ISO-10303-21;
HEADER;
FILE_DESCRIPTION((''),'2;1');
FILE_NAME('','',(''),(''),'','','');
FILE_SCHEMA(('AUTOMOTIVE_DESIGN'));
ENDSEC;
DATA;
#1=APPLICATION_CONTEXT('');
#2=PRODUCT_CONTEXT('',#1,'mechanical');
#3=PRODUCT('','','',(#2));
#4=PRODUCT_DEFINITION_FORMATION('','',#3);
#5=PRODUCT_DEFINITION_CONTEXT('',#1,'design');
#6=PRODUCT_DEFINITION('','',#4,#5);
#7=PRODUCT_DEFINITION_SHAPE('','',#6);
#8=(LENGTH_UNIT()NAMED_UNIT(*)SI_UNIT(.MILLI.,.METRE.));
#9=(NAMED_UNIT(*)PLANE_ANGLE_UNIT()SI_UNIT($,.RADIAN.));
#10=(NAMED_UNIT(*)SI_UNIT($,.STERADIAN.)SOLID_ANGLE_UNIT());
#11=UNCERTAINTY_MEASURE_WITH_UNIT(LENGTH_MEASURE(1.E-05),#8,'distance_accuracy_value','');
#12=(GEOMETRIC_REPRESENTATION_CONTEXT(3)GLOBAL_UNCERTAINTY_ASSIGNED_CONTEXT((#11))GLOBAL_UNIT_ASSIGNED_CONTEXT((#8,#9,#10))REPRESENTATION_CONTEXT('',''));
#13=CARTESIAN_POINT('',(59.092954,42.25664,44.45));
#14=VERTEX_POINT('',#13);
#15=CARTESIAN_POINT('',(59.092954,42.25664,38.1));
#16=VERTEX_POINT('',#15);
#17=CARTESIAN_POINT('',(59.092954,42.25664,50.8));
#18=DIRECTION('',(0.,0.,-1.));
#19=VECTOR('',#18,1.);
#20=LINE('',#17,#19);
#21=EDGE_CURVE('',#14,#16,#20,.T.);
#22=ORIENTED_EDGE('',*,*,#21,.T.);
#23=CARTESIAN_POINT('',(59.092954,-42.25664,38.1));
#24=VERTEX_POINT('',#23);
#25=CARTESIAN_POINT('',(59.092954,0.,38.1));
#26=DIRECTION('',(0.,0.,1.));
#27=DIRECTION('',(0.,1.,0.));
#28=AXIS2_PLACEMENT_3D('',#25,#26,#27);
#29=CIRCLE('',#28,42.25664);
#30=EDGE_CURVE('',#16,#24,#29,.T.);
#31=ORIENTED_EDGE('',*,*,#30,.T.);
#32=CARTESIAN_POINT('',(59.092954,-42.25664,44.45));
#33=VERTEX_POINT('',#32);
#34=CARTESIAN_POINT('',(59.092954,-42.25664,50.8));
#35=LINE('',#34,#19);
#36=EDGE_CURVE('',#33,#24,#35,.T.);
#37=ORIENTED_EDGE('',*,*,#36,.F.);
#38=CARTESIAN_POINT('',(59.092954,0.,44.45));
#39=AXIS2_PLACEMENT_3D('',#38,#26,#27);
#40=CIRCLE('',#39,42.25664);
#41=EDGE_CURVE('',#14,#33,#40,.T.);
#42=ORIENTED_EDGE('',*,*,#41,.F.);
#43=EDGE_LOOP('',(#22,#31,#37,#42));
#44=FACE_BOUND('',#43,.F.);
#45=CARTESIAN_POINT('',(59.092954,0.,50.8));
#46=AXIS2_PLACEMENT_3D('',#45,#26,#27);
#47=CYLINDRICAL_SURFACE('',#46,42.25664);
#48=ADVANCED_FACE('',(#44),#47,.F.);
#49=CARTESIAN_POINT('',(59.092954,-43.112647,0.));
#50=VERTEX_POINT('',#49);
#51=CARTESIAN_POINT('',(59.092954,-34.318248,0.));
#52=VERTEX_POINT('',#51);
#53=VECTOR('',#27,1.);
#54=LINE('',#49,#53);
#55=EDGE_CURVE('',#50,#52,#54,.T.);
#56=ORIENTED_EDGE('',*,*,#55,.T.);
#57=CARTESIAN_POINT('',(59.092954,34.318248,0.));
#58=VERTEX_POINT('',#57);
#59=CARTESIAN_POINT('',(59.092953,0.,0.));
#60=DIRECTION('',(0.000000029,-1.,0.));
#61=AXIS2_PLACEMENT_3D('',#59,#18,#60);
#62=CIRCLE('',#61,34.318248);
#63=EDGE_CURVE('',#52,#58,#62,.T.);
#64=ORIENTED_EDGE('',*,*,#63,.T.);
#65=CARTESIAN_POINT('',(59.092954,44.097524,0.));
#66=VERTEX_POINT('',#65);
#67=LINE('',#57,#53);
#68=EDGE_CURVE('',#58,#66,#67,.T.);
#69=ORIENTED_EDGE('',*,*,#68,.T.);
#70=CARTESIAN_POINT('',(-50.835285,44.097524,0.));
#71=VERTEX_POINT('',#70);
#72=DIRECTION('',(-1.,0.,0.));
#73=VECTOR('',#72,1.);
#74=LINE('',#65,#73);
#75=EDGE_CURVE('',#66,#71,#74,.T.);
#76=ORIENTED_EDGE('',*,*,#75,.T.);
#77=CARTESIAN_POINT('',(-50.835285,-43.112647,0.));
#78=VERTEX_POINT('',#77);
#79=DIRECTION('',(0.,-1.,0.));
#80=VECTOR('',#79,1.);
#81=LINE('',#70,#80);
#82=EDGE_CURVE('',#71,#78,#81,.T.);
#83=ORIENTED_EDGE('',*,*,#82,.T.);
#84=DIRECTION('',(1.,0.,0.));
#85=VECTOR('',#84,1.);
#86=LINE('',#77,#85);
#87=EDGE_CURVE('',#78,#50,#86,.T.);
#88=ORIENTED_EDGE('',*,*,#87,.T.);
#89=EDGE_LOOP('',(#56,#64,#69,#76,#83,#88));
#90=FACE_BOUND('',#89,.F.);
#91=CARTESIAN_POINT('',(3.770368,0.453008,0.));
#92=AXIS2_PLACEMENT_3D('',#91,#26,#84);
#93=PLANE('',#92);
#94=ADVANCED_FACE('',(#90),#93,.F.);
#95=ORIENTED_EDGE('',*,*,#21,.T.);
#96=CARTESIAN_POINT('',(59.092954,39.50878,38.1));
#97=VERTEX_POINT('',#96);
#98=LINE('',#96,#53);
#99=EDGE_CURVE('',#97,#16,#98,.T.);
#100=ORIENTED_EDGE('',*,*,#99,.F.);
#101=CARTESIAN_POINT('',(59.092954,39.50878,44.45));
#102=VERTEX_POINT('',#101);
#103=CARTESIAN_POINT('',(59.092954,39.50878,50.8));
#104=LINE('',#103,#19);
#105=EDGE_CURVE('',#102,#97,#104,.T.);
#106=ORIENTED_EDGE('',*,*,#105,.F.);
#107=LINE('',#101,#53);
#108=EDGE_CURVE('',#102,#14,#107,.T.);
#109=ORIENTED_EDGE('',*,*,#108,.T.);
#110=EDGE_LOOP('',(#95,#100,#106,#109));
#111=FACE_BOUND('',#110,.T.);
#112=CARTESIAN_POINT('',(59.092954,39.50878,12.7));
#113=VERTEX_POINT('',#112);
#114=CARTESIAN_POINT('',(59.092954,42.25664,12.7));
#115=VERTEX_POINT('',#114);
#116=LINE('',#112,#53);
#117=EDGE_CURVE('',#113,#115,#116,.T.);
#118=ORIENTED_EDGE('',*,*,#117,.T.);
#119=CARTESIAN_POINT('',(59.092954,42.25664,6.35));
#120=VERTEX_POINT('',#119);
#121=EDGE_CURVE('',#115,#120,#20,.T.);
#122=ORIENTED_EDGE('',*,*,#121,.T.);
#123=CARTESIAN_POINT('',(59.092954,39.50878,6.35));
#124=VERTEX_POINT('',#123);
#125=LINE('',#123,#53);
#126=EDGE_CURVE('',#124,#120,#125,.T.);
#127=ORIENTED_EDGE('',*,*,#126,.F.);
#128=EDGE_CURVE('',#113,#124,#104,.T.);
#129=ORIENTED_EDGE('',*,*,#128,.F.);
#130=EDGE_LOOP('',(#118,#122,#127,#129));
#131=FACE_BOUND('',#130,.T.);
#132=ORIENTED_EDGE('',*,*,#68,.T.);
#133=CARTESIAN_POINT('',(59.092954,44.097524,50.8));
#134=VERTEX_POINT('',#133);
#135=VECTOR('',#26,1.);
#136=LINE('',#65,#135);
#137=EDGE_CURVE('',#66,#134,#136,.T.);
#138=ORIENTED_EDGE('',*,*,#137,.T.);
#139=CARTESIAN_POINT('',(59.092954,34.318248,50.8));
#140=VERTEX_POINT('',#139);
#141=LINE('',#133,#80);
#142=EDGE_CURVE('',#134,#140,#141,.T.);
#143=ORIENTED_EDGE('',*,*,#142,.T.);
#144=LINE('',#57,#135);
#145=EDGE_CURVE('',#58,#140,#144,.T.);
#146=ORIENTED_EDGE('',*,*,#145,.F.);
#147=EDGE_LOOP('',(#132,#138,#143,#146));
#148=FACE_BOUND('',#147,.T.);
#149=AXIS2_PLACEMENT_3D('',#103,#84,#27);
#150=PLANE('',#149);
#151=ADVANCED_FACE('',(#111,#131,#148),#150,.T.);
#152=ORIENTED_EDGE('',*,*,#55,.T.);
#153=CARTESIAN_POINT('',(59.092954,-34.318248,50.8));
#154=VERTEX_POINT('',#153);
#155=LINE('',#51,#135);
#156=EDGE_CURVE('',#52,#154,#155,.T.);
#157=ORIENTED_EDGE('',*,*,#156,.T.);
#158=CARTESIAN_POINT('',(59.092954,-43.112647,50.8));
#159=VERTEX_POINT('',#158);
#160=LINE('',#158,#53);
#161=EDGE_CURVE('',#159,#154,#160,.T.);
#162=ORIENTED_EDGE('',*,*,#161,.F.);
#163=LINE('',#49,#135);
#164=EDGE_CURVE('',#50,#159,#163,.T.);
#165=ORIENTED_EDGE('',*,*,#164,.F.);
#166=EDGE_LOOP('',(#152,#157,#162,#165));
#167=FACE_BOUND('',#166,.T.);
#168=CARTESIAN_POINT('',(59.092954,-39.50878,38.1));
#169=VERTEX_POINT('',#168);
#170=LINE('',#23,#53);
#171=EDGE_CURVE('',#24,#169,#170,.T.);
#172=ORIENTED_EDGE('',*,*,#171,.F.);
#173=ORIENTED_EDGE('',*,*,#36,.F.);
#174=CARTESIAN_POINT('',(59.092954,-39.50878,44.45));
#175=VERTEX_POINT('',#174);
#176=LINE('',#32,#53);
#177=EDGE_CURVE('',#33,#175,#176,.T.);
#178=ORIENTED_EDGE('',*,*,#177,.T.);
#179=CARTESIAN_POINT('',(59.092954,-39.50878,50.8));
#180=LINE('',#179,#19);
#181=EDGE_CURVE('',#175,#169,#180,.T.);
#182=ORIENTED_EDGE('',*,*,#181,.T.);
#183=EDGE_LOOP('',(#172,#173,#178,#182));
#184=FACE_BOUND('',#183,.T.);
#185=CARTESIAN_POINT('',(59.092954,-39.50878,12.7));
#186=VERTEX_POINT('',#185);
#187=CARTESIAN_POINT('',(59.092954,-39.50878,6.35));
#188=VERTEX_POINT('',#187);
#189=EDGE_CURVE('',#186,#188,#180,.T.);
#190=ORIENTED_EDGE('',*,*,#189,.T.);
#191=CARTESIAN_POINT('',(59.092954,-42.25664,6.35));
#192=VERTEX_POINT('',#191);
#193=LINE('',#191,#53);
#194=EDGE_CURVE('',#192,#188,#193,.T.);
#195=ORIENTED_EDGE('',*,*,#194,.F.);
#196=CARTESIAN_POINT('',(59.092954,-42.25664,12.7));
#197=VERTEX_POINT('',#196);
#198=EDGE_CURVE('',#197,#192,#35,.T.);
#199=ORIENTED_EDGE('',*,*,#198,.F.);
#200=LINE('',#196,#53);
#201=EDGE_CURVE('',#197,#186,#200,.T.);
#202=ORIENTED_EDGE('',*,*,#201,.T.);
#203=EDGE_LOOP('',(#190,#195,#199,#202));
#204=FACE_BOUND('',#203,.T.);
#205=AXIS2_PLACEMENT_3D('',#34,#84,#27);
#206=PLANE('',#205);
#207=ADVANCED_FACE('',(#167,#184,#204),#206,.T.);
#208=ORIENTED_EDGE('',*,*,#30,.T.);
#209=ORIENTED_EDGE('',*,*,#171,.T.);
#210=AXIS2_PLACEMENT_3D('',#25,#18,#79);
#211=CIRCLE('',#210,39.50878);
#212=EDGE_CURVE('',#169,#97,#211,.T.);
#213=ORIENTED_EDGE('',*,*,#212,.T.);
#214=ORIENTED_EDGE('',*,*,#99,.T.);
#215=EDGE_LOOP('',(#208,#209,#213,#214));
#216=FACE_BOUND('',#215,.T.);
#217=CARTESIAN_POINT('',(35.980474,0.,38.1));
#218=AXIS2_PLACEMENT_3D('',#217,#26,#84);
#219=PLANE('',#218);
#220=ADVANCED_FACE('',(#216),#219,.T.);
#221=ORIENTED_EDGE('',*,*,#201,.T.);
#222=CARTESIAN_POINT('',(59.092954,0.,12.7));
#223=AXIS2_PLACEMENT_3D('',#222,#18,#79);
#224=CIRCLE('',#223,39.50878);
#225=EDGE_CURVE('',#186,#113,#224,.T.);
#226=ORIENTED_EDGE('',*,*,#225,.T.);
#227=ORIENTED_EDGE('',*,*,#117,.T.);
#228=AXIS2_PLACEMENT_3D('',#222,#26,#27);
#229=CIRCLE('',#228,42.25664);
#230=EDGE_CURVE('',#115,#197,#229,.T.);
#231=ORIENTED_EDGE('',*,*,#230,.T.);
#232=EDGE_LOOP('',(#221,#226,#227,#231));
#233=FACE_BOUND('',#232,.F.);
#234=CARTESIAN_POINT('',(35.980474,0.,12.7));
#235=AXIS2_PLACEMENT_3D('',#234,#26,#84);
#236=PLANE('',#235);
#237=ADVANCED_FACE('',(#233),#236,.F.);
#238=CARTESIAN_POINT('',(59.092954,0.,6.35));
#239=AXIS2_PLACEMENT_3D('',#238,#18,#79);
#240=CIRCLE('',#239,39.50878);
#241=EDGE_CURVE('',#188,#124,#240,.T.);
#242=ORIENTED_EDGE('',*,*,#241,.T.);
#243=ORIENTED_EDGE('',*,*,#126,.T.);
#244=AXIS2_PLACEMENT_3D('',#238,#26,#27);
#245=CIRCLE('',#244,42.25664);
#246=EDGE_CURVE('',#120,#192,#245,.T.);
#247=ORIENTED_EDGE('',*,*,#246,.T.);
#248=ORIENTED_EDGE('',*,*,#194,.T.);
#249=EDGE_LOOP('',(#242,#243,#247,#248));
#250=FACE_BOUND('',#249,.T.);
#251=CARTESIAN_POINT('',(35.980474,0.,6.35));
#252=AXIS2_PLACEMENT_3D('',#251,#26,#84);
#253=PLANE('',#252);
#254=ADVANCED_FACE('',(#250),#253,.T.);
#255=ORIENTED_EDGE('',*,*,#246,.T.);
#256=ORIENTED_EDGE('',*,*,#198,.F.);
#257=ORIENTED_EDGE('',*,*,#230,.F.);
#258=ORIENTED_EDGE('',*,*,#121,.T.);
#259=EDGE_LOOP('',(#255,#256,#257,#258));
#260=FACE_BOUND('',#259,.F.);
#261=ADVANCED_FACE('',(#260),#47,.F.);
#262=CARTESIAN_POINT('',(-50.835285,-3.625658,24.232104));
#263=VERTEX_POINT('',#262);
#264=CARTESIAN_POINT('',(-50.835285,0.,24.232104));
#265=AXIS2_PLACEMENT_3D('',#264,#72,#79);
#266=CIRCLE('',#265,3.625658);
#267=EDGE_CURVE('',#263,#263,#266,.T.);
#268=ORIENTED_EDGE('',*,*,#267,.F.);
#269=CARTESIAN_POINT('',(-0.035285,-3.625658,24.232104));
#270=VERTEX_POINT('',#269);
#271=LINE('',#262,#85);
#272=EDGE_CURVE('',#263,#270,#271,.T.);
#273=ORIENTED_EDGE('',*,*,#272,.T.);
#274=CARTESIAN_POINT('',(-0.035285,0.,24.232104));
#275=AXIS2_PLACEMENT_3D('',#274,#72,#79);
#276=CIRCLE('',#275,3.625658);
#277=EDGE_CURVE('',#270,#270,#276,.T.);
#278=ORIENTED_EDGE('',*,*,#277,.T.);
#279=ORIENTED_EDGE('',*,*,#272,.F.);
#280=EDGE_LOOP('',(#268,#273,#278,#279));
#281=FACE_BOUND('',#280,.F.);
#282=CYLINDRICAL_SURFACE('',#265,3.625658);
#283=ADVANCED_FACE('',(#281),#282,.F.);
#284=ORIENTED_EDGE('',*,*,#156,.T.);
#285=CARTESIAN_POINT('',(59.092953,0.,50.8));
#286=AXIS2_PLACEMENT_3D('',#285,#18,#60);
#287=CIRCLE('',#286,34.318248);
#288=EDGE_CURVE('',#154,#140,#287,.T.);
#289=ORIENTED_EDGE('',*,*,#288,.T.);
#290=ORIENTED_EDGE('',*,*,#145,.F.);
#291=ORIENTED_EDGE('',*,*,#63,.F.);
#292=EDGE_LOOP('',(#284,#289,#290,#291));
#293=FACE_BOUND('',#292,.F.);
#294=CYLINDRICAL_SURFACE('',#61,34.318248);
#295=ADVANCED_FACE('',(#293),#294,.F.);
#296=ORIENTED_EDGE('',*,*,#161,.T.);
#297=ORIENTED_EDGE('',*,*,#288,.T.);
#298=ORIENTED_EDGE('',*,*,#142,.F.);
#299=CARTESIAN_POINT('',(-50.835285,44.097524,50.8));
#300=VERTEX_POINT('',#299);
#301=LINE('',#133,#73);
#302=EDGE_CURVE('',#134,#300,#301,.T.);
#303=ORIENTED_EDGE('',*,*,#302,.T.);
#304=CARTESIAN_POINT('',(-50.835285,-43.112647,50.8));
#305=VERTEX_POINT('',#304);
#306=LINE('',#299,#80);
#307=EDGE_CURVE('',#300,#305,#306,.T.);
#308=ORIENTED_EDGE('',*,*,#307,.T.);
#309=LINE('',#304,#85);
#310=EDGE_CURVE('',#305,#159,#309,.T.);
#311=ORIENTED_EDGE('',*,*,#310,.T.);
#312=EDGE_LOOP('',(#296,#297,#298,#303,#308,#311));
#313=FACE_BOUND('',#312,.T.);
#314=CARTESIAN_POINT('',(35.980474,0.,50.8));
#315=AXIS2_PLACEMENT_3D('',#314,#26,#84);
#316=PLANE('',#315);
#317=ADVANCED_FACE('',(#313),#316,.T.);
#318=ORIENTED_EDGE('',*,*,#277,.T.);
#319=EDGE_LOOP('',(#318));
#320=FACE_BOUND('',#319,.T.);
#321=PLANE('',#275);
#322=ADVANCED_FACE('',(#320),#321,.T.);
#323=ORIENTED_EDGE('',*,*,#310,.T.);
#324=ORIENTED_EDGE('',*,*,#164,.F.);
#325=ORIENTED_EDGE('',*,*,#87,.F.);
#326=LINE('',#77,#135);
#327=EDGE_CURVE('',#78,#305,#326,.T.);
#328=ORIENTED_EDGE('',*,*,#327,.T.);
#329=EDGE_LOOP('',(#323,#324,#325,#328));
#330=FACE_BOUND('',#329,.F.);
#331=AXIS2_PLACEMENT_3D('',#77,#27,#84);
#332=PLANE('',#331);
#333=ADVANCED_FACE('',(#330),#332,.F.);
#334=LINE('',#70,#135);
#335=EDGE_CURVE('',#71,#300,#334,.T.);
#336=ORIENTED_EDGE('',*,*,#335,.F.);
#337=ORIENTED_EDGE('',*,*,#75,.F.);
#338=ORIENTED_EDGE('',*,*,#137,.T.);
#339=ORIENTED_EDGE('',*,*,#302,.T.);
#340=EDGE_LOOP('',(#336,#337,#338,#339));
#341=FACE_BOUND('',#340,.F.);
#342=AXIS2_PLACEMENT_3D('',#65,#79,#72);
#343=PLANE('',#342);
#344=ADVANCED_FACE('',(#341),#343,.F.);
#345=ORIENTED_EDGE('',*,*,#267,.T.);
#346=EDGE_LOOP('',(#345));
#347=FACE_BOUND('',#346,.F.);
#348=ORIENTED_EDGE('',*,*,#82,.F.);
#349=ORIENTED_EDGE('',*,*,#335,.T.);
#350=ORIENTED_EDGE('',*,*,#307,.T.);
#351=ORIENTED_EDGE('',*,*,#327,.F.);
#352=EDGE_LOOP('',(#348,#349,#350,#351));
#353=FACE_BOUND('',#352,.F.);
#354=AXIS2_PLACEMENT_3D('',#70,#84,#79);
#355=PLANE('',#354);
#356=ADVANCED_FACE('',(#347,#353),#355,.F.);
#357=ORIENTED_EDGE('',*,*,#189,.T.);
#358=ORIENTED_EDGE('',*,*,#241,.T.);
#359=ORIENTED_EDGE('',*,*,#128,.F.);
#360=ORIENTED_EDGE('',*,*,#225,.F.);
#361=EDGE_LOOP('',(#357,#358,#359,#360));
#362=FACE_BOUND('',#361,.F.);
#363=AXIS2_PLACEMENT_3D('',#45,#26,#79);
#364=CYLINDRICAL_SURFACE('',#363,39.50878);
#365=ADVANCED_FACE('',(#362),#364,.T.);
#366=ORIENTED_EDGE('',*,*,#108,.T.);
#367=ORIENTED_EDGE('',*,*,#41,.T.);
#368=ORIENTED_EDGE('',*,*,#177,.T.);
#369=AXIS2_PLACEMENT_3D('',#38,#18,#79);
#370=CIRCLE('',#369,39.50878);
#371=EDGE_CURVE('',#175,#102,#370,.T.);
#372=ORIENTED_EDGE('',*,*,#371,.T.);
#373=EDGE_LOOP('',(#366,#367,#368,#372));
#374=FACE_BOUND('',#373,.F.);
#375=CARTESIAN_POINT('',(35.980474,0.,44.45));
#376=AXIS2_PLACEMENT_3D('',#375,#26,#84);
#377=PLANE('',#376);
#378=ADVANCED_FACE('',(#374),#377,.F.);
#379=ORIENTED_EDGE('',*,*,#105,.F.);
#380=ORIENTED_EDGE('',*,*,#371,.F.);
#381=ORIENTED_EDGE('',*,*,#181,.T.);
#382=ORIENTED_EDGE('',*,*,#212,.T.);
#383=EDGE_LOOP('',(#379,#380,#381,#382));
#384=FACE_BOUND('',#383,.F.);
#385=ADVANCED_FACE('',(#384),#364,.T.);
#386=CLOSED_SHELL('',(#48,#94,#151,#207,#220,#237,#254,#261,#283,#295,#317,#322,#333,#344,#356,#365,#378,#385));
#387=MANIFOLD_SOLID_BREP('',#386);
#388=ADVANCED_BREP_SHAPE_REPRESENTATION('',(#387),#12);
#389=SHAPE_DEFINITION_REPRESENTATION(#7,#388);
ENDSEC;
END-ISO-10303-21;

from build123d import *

# Parameters (mm, degrees)
F1_DEPTH = 50.8
F2_R     = 3.625658
F3_DEPTH = 50.8
F5_DEPTH = 44.45
F6_DEPTH = 38.1
F7_DEPTH = 12.7
F8_DEPTH = 6.35


with BuildPart() as f1:
    # F0 (on Top) → F1 (new body)
    with BuildSketch(Plane.XY):
        with BuildLine():
            Line((59.092954, 44.097524), (-50.835285, 44.097524))
            Line((-50.835285, 44.097524), (-50.835285, -43.112647))
            Line((-50.835285, -43.112647), (59.092954, -43.112647))
            Line((59.092954, -43.112647), (59.092954, -34.318248))
            ThreePointArc((59.092954, -34.318248), (24.774705, 0), (59.092954, 34.318248))
            Line((59.092954, 34.318248), (59.092954, 44.097524))
        make_face()
    extrude(amount=F1_DEPTH)

    # F2 (on face) → F3 (cut)
    with BuildSketch(Plane(origin=(-50.835285, 0, 0), x_dir=(0, -1, 0), z_dir=(-1, 0, 0))):
        with Locations((0, 24.232104)):
            Circle(F2_R)
    extrude(amount=-F3_DEPTH, mode=Mode.SUBTRACT)

    # F4 (on face) → F5 (cut)
    with BuildSketch(Plane.XY.offset(50.8)):
        with BuildLine():
            ThreePointArc((59.092954, -39.50878), (19.584174, 0), (59.092954, 39.50878))
            Line((59.092954, 39.50878), (59.092954, 42.25664))
            ThreePointArc((59.092954, 42.25664), (16.836314, 0), (59.092954, -42.25664))
            Line((59.092954, -42.25664), (59.092954, -39.50878))
        make_face()
    extrude(amount=-F5_DEPTH, mode=Mode.SUBTRACT)

    # F4 (on face) → F6 (join)
    with BuildSketch(Plane.XY.offset(50.8)):
        with BuildLine():
            ThreePointArc((59.092954, -39.50878), (19.584174, 0), (59.092954, 39.50878))
            Line((59.092954, 39.50878), (59.092954, 42.25664))
            ThreePointArc((59.092954, 42.25664), (16.836314, 0), (59.092954, -42.25664))
            Line((59.092954, -42.25664), (59.092954, -39.50878))
        make_face()
    extrude(amount=-F6_DEPTH)

    # F4 (on face) → F7 (cut)
    with BuildSketch(Plane.XY.offset(50.8)):
        with BuildLine():
            ThreePointArc((59.092954, -39.50878), (19.584174, 0), (59.092954, 39.50878))
            Line((59.092954, 39.50878), (59.092954, 42.25664))
            ThreePointArc((59.092954, 42.25664), (16.836314, 0), (59.092954, -42.25664))
            Line((59.092954, -42.25664), (59.092954, -39.50878))
        make_face()
    extrude(amount=-F7_DEPTH, mode=Mode.SUBTRACT)

    # F4 (on face) → F8 (join)
    with BuildSketch(Plane.XY.offset(50.8)):
        with BuildLine():
            ThreePointArc((59.092954, -39.50878), (19.584174, 0), (59.092954, 39.50878))
            Line((59.092954, 39.50878), (59.092954, 42.25664))
            ThreePointArc((59.092954, 42.25664), (16.836314, 0), (59.092954, -42.25664))
            Line((59.092954, -42.25664), (59.092954, -39.50878))
        make_face()
    extrude(amount=-F8_DEPTH)


solid = f1.part
